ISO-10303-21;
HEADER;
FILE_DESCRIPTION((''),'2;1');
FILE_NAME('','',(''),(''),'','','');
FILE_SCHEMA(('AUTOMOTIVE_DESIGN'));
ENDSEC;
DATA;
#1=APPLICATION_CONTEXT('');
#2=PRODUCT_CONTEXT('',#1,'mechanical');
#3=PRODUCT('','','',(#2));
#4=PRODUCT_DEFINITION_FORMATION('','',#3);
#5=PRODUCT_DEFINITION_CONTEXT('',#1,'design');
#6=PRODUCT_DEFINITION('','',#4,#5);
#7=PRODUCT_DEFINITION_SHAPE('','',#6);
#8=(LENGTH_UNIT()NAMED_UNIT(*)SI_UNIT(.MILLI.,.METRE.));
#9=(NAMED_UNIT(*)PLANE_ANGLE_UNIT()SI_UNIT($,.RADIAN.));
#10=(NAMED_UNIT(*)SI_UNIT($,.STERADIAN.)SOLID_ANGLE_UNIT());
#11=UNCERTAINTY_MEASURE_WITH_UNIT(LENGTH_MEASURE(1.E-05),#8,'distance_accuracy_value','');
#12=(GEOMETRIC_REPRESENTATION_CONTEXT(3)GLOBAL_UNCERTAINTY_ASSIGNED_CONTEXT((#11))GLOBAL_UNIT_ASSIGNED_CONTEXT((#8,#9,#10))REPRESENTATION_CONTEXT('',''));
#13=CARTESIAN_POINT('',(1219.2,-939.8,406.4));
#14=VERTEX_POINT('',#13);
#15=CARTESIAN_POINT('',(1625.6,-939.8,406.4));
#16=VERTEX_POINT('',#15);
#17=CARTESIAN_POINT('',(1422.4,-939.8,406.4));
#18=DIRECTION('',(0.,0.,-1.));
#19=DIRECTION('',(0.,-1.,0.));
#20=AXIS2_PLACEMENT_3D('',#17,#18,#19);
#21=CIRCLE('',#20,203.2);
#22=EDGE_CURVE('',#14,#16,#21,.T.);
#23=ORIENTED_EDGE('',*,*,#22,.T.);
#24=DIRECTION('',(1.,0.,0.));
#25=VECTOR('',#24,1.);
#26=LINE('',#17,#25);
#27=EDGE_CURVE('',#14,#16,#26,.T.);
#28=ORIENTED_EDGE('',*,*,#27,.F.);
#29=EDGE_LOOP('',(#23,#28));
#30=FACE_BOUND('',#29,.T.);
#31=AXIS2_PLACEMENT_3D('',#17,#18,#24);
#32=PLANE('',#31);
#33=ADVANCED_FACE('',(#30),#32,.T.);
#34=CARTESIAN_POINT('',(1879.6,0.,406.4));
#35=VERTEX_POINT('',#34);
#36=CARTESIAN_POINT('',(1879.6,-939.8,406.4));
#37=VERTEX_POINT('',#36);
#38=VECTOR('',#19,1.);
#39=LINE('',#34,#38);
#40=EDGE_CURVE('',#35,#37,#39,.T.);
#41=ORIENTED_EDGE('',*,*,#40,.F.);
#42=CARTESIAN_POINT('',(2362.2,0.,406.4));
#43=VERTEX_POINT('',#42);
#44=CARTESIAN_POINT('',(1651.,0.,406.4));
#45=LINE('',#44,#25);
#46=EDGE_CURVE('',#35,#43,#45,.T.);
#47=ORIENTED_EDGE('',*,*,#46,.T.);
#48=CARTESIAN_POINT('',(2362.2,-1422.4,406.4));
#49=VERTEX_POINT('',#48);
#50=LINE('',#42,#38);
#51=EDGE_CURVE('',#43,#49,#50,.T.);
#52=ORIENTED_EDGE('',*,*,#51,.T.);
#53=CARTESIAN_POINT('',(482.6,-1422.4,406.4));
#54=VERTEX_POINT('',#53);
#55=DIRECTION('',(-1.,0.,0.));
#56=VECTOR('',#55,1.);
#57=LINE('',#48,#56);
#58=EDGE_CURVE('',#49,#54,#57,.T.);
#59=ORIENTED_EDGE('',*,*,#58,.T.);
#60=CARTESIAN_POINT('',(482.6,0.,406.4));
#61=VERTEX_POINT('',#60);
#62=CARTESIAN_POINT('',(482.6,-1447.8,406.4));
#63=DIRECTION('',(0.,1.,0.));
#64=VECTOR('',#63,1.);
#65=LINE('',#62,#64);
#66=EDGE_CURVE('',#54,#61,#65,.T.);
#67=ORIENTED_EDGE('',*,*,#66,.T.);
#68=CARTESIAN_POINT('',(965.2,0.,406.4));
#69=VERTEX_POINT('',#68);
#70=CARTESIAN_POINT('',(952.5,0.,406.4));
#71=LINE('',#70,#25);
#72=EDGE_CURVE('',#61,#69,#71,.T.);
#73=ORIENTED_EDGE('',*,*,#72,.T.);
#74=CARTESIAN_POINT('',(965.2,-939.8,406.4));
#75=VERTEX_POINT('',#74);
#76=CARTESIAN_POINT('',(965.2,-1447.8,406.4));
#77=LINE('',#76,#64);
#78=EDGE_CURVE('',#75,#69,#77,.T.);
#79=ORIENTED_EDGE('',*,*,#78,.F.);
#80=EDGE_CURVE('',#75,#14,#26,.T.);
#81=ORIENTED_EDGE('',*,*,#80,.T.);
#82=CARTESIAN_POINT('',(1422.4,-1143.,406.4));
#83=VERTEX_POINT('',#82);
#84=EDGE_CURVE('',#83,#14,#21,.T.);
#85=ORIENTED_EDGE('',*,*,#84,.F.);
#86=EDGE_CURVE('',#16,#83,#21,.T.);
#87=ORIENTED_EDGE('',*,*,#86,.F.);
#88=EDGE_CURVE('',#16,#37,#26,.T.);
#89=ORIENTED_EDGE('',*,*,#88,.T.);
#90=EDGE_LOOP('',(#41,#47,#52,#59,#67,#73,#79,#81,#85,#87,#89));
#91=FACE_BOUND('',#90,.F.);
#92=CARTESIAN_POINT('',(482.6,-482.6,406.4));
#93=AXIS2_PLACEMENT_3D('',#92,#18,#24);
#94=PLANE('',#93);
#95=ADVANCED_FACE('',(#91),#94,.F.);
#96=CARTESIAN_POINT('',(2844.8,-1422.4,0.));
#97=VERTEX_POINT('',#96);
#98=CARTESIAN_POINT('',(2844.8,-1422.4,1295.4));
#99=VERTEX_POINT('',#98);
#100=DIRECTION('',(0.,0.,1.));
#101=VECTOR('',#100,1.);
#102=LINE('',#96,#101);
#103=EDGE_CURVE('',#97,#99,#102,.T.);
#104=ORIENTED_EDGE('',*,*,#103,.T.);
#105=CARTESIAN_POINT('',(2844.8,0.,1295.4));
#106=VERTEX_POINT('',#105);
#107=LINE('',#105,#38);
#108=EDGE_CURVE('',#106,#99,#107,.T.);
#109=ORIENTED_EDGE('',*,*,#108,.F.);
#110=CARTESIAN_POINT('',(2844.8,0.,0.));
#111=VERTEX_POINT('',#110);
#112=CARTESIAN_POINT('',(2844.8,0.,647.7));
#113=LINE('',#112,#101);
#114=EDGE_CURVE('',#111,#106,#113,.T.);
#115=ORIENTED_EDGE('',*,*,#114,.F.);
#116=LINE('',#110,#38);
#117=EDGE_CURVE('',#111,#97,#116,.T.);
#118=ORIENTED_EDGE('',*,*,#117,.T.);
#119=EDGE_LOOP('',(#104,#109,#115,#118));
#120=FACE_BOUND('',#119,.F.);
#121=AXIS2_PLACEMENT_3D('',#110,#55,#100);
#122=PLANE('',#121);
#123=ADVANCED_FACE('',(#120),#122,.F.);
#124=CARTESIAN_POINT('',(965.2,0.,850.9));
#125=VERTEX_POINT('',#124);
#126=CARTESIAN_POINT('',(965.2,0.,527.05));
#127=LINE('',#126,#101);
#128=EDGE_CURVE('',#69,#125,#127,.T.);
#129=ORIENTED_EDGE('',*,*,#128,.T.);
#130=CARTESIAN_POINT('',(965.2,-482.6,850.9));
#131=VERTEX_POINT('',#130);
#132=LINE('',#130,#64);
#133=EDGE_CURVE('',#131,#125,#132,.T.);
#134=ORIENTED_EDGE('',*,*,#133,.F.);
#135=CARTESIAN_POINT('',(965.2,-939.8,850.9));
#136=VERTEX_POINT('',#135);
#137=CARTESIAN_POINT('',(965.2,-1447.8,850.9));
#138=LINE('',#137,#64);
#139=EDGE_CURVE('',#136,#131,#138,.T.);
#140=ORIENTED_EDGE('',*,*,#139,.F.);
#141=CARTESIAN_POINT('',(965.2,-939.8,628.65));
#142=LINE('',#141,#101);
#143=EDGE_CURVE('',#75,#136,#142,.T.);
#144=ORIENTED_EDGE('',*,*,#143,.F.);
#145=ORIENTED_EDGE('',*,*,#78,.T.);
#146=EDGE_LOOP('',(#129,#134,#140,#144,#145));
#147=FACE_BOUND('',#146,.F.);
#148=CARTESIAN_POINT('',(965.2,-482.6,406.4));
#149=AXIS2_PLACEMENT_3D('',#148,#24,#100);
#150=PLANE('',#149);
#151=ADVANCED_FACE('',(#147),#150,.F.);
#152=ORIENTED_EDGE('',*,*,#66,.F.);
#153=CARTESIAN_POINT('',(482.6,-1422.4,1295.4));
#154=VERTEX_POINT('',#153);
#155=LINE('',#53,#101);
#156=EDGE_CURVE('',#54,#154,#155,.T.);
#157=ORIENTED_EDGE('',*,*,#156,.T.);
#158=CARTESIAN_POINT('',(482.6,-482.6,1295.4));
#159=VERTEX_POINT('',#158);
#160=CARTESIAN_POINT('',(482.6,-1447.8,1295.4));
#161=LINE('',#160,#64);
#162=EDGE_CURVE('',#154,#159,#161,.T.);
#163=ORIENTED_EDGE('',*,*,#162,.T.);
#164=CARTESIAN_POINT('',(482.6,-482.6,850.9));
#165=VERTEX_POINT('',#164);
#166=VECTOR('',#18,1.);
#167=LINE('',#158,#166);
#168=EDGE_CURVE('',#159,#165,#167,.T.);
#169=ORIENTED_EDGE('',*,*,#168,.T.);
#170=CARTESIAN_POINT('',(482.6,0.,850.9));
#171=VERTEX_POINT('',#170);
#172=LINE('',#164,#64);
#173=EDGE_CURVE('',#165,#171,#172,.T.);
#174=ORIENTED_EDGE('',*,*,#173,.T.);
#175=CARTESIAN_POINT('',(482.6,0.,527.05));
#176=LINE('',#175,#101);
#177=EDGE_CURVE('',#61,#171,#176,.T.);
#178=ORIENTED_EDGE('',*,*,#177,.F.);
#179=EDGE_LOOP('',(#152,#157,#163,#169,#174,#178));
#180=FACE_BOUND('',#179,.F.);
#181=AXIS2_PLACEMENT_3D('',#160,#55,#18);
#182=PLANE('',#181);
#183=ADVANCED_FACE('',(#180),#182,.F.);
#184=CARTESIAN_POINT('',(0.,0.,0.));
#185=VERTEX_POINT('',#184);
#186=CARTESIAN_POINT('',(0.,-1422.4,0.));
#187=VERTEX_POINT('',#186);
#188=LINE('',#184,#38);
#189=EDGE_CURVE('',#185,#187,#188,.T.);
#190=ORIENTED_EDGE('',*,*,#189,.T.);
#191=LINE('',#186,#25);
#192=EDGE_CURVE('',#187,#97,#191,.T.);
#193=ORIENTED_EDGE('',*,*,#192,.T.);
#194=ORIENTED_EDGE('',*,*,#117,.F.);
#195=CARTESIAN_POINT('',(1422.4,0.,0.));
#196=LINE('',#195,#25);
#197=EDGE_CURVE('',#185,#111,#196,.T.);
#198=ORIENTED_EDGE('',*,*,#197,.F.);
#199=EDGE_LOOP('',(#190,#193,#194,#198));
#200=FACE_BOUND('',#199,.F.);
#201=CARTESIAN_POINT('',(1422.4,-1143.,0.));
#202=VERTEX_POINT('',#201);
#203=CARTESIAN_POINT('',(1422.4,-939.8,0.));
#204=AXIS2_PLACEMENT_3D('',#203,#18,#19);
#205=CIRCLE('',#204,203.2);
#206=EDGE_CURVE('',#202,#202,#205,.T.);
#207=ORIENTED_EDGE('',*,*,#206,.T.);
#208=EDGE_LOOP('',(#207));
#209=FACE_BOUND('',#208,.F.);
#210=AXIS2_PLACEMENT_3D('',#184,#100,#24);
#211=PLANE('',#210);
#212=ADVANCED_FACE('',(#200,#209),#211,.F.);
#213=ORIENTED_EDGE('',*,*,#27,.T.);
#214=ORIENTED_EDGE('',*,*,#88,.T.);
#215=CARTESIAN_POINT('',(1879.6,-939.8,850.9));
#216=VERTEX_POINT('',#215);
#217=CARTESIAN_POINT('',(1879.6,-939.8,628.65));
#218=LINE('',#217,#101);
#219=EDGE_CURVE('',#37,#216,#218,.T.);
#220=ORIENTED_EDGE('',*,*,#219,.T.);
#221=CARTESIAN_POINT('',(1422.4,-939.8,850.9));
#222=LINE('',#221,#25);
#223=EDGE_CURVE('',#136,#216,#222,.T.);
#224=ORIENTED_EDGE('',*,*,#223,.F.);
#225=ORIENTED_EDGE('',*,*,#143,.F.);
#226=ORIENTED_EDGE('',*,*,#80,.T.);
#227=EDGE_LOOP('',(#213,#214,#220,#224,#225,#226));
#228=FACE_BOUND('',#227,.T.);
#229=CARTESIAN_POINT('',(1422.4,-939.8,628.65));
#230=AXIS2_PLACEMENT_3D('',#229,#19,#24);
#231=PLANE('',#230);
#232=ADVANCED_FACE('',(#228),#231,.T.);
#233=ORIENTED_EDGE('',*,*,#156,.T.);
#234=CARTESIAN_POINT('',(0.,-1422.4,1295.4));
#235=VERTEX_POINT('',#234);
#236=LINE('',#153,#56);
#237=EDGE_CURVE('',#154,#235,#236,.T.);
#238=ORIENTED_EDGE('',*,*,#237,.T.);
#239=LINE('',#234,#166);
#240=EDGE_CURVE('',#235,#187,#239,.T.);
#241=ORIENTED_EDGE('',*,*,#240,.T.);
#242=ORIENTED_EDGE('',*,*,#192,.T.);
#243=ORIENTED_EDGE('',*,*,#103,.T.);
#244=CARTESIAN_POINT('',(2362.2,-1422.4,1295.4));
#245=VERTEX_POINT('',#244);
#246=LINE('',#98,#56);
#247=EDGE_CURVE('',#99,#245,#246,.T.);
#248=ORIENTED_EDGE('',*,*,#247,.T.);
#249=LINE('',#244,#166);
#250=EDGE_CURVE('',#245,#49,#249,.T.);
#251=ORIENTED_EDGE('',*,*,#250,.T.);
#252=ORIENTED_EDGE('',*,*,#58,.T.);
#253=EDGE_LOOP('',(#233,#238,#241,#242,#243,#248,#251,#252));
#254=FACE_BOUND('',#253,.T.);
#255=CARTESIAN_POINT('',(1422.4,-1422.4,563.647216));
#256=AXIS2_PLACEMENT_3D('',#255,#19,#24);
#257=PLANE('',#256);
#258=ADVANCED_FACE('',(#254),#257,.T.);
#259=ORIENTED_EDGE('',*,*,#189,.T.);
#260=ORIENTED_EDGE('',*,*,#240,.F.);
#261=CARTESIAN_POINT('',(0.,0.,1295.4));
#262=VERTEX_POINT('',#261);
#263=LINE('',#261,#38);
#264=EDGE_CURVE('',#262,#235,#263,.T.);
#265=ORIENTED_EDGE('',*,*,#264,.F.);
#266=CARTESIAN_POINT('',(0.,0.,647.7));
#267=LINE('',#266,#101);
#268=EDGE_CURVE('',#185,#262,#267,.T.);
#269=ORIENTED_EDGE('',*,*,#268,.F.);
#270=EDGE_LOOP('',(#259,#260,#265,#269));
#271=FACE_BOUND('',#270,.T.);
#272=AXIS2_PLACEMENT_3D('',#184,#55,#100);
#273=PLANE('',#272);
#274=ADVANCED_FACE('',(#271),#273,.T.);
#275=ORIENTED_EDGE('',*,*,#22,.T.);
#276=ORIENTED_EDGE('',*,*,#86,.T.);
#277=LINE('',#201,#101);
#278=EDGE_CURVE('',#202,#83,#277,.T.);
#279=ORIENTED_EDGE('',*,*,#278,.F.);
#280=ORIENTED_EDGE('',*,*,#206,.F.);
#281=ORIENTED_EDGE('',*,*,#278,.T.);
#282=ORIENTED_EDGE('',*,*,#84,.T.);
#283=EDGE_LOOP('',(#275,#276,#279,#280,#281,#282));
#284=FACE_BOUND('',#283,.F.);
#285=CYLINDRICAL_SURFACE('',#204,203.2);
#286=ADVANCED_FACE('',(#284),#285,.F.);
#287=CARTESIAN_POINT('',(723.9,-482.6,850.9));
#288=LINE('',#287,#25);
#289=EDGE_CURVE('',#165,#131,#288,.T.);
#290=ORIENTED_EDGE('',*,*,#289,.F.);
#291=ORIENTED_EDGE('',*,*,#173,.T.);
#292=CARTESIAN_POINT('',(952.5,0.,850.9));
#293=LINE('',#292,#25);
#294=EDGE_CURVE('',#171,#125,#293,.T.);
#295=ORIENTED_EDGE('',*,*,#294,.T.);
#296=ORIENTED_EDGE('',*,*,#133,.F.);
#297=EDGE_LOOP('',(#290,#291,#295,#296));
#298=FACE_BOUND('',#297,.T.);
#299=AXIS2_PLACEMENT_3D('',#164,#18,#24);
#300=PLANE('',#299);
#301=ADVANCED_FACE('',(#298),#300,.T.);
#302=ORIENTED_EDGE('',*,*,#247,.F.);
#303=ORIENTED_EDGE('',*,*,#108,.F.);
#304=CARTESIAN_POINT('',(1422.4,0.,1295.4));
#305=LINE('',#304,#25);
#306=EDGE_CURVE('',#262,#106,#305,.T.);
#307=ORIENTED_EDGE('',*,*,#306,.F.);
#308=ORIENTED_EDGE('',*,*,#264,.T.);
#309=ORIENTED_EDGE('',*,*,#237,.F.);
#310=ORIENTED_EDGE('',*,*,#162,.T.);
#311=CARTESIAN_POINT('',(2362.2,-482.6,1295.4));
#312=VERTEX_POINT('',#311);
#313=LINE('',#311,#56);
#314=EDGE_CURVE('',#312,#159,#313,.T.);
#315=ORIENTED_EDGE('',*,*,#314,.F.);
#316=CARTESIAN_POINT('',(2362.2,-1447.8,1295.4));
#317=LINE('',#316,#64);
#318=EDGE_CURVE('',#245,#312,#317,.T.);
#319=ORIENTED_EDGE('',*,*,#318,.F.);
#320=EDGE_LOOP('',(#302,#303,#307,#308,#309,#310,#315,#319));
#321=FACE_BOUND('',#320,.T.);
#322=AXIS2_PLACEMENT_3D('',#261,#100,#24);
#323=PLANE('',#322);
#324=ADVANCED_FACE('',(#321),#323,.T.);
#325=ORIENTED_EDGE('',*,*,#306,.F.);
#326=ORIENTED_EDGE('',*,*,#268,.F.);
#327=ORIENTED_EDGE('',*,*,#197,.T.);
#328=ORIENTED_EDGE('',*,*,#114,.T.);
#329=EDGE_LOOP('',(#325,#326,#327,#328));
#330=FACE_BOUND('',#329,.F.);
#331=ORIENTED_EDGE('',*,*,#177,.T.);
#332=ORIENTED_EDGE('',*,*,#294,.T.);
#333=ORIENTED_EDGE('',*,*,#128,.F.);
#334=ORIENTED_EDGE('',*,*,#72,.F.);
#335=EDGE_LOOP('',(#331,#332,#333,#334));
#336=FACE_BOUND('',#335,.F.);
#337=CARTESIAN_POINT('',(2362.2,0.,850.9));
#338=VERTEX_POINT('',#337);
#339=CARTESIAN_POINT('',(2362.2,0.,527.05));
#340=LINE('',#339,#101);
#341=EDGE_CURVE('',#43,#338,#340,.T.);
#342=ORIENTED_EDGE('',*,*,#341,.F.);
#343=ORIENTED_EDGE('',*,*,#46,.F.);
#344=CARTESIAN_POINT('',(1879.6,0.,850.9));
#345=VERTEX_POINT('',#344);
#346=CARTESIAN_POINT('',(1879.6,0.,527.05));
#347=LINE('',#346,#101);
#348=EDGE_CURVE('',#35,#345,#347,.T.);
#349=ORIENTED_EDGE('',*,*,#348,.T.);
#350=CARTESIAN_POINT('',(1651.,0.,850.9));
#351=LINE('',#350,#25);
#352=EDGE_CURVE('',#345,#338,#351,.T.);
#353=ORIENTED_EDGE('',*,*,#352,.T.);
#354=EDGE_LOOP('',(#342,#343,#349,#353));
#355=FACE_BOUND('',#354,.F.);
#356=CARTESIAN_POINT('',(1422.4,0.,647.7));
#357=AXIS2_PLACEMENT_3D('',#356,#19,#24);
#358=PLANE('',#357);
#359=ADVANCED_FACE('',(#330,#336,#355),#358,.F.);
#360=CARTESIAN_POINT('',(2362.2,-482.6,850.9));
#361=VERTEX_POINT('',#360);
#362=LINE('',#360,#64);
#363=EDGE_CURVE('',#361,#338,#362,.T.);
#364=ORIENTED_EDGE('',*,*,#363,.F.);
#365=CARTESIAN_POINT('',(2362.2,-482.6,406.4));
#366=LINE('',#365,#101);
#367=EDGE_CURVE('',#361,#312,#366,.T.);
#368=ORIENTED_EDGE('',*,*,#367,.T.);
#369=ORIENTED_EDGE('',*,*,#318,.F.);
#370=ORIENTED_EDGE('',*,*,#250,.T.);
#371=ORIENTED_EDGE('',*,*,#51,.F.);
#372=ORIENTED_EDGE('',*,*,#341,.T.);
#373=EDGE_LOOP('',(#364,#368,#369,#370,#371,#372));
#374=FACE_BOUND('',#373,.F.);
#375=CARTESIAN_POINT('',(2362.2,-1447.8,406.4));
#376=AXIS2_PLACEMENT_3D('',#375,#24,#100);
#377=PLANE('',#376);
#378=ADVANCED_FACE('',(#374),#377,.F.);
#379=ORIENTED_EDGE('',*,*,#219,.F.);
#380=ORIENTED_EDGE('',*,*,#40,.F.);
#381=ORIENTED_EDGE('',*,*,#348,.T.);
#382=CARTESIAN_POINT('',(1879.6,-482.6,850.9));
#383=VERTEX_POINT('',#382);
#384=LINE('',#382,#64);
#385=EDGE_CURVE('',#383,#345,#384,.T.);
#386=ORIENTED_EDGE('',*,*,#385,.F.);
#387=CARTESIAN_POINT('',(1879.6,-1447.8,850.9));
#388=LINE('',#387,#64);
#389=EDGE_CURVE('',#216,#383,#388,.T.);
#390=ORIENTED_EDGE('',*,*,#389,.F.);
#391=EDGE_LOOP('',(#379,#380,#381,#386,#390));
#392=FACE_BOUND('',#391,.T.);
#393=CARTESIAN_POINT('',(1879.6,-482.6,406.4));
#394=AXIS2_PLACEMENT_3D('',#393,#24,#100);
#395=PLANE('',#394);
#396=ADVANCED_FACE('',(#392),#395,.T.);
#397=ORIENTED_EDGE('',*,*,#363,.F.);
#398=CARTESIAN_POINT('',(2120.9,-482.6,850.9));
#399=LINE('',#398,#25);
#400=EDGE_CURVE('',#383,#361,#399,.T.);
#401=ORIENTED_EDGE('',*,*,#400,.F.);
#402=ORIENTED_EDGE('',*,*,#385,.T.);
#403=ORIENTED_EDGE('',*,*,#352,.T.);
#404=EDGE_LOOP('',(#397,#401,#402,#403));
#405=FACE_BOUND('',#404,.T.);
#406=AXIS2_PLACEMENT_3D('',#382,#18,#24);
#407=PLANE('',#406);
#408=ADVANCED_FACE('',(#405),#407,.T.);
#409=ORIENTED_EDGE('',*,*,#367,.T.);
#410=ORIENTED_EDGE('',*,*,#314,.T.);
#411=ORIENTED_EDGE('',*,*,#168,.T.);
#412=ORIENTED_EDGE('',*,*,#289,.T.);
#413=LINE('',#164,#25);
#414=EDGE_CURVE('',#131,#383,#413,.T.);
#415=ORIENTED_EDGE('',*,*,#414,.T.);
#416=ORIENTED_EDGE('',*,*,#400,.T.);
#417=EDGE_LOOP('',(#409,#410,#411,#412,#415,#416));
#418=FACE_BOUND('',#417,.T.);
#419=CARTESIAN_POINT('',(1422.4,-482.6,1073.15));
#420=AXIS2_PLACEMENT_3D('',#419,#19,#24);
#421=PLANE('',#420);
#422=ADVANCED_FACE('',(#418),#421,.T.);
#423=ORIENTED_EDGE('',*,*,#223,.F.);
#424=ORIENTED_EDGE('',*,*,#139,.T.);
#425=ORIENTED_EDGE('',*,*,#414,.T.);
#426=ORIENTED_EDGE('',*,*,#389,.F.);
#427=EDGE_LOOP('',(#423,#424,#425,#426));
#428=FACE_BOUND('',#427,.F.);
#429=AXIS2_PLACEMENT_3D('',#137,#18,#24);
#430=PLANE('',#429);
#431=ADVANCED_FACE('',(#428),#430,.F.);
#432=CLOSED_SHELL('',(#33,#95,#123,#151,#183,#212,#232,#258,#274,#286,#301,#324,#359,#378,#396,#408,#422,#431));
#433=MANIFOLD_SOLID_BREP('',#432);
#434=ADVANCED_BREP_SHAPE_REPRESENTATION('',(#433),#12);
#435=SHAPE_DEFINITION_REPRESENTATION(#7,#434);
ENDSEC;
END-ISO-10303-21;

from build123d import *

# Parameters (mm, degrees)
F0_W      = 2844.8
F0_H      = 1295.4
F1_DEPTH  = 1447.8
F2_W      = 482.6
F2_H      = 444.5
F4_DEPTH  = 965.2
F5_W      = 482.6
F5_H      = 444.5
F6_DEPTH  = 508
F8_DEPTH  = 25.4
F9_W      = 914.4
F9_H      = 444.5
F10_DEPTH = 482.6
F12_DEPTH = 406.4


with BuildPart() as f1:
    # F0 (on Front) → F1 (new body)
    with BuildSketch(Plane.XZ):
        with Locations((1422.4, 647.7)):
            Rectangle(F0_W, F0_H)
    extrude(amount=F1_DEPTH)

    # F2 (on face) → F4 (cut)
    with BuildSketch(Plane.XZ.offset(1447.8)):
        Polygon((2362.2, 1295.4), (482.6, 1295.4), (482.6, 850.9), (965.2, 850.9), (1879.6, 850.9), (2362.2, 850.9), align=None)
        Polygon((965.2, 850.9), (482.6, 850.9), (482.6, 406.4), (869.3156242371, 406.4), (965.2, 406.4), align=None)
        with Locations((2120.9, 628.65)):
            Rectangle(F2_W, F2_H)
    extrude(amount=-F4_DEPTH, mode=Mode.SUBTRACT)

    # F5 (on face) → F6 (cut)
    with BuildSketch(Plane.XZ.offset(482.6)):
        with Locations((723.9, 628.65)):
            Rectangle(F5_W, F5_H)
        with Locations((2120.9, 628.65)):
            Rectangle(F5_W, F5_H)
    extrude(amount=-F6_DEPTH, mode=Mode.SUBTRACT)

    # F7 (on face) → F8 (cut)
    with BuildSketch(Plane.XZ.offset(1447.8)):
        Polygon((482.6, 406.4), (482.6, 1295.4), (0, 1295.4), (0, 0), (2844.8, 0), (2844.8, 1295.4), (2362.2, 1295.4), (2362.2, 406.4), (1879.6, 406.4), (1879.6, 850.9), (965.2, 850.9), (965.2, 406.4), align=None)
    extrude(amount=-F8_DEPTH, mode=Mode.SUBTRACT)

    # F9 (on face) → F10 (cut)
    with BuildSketch(Plane.XZ.offset(1422.4)):
        with Locations((1422.4, 628.65)):
            Rectangle(F9_W, F9_H)
    extrude(amount=-F10_DEPTH, mode=Mode.SUBTRACT)

    # F11 (on face) → F12 (cut)
    with BuildSketch(Plane(origin=(0, 0, 0), x_dir=(1, 0, 0), z_dir=(0, 0, -1))):
        with BuildLine():
            ThreePointArc((1625.6, 939.8), (1566.0840979371, 1083.4840979371), (1422.4, 1143))
            ThreePointArc((1422.4, 1143), (1278.7159020629, 796.1159020629), (1625.6, 939.8))
        make_face()
    extrude(amount=-F12_DEPTH, mode=Mode.SUBTRACT)


solid = f1.part
